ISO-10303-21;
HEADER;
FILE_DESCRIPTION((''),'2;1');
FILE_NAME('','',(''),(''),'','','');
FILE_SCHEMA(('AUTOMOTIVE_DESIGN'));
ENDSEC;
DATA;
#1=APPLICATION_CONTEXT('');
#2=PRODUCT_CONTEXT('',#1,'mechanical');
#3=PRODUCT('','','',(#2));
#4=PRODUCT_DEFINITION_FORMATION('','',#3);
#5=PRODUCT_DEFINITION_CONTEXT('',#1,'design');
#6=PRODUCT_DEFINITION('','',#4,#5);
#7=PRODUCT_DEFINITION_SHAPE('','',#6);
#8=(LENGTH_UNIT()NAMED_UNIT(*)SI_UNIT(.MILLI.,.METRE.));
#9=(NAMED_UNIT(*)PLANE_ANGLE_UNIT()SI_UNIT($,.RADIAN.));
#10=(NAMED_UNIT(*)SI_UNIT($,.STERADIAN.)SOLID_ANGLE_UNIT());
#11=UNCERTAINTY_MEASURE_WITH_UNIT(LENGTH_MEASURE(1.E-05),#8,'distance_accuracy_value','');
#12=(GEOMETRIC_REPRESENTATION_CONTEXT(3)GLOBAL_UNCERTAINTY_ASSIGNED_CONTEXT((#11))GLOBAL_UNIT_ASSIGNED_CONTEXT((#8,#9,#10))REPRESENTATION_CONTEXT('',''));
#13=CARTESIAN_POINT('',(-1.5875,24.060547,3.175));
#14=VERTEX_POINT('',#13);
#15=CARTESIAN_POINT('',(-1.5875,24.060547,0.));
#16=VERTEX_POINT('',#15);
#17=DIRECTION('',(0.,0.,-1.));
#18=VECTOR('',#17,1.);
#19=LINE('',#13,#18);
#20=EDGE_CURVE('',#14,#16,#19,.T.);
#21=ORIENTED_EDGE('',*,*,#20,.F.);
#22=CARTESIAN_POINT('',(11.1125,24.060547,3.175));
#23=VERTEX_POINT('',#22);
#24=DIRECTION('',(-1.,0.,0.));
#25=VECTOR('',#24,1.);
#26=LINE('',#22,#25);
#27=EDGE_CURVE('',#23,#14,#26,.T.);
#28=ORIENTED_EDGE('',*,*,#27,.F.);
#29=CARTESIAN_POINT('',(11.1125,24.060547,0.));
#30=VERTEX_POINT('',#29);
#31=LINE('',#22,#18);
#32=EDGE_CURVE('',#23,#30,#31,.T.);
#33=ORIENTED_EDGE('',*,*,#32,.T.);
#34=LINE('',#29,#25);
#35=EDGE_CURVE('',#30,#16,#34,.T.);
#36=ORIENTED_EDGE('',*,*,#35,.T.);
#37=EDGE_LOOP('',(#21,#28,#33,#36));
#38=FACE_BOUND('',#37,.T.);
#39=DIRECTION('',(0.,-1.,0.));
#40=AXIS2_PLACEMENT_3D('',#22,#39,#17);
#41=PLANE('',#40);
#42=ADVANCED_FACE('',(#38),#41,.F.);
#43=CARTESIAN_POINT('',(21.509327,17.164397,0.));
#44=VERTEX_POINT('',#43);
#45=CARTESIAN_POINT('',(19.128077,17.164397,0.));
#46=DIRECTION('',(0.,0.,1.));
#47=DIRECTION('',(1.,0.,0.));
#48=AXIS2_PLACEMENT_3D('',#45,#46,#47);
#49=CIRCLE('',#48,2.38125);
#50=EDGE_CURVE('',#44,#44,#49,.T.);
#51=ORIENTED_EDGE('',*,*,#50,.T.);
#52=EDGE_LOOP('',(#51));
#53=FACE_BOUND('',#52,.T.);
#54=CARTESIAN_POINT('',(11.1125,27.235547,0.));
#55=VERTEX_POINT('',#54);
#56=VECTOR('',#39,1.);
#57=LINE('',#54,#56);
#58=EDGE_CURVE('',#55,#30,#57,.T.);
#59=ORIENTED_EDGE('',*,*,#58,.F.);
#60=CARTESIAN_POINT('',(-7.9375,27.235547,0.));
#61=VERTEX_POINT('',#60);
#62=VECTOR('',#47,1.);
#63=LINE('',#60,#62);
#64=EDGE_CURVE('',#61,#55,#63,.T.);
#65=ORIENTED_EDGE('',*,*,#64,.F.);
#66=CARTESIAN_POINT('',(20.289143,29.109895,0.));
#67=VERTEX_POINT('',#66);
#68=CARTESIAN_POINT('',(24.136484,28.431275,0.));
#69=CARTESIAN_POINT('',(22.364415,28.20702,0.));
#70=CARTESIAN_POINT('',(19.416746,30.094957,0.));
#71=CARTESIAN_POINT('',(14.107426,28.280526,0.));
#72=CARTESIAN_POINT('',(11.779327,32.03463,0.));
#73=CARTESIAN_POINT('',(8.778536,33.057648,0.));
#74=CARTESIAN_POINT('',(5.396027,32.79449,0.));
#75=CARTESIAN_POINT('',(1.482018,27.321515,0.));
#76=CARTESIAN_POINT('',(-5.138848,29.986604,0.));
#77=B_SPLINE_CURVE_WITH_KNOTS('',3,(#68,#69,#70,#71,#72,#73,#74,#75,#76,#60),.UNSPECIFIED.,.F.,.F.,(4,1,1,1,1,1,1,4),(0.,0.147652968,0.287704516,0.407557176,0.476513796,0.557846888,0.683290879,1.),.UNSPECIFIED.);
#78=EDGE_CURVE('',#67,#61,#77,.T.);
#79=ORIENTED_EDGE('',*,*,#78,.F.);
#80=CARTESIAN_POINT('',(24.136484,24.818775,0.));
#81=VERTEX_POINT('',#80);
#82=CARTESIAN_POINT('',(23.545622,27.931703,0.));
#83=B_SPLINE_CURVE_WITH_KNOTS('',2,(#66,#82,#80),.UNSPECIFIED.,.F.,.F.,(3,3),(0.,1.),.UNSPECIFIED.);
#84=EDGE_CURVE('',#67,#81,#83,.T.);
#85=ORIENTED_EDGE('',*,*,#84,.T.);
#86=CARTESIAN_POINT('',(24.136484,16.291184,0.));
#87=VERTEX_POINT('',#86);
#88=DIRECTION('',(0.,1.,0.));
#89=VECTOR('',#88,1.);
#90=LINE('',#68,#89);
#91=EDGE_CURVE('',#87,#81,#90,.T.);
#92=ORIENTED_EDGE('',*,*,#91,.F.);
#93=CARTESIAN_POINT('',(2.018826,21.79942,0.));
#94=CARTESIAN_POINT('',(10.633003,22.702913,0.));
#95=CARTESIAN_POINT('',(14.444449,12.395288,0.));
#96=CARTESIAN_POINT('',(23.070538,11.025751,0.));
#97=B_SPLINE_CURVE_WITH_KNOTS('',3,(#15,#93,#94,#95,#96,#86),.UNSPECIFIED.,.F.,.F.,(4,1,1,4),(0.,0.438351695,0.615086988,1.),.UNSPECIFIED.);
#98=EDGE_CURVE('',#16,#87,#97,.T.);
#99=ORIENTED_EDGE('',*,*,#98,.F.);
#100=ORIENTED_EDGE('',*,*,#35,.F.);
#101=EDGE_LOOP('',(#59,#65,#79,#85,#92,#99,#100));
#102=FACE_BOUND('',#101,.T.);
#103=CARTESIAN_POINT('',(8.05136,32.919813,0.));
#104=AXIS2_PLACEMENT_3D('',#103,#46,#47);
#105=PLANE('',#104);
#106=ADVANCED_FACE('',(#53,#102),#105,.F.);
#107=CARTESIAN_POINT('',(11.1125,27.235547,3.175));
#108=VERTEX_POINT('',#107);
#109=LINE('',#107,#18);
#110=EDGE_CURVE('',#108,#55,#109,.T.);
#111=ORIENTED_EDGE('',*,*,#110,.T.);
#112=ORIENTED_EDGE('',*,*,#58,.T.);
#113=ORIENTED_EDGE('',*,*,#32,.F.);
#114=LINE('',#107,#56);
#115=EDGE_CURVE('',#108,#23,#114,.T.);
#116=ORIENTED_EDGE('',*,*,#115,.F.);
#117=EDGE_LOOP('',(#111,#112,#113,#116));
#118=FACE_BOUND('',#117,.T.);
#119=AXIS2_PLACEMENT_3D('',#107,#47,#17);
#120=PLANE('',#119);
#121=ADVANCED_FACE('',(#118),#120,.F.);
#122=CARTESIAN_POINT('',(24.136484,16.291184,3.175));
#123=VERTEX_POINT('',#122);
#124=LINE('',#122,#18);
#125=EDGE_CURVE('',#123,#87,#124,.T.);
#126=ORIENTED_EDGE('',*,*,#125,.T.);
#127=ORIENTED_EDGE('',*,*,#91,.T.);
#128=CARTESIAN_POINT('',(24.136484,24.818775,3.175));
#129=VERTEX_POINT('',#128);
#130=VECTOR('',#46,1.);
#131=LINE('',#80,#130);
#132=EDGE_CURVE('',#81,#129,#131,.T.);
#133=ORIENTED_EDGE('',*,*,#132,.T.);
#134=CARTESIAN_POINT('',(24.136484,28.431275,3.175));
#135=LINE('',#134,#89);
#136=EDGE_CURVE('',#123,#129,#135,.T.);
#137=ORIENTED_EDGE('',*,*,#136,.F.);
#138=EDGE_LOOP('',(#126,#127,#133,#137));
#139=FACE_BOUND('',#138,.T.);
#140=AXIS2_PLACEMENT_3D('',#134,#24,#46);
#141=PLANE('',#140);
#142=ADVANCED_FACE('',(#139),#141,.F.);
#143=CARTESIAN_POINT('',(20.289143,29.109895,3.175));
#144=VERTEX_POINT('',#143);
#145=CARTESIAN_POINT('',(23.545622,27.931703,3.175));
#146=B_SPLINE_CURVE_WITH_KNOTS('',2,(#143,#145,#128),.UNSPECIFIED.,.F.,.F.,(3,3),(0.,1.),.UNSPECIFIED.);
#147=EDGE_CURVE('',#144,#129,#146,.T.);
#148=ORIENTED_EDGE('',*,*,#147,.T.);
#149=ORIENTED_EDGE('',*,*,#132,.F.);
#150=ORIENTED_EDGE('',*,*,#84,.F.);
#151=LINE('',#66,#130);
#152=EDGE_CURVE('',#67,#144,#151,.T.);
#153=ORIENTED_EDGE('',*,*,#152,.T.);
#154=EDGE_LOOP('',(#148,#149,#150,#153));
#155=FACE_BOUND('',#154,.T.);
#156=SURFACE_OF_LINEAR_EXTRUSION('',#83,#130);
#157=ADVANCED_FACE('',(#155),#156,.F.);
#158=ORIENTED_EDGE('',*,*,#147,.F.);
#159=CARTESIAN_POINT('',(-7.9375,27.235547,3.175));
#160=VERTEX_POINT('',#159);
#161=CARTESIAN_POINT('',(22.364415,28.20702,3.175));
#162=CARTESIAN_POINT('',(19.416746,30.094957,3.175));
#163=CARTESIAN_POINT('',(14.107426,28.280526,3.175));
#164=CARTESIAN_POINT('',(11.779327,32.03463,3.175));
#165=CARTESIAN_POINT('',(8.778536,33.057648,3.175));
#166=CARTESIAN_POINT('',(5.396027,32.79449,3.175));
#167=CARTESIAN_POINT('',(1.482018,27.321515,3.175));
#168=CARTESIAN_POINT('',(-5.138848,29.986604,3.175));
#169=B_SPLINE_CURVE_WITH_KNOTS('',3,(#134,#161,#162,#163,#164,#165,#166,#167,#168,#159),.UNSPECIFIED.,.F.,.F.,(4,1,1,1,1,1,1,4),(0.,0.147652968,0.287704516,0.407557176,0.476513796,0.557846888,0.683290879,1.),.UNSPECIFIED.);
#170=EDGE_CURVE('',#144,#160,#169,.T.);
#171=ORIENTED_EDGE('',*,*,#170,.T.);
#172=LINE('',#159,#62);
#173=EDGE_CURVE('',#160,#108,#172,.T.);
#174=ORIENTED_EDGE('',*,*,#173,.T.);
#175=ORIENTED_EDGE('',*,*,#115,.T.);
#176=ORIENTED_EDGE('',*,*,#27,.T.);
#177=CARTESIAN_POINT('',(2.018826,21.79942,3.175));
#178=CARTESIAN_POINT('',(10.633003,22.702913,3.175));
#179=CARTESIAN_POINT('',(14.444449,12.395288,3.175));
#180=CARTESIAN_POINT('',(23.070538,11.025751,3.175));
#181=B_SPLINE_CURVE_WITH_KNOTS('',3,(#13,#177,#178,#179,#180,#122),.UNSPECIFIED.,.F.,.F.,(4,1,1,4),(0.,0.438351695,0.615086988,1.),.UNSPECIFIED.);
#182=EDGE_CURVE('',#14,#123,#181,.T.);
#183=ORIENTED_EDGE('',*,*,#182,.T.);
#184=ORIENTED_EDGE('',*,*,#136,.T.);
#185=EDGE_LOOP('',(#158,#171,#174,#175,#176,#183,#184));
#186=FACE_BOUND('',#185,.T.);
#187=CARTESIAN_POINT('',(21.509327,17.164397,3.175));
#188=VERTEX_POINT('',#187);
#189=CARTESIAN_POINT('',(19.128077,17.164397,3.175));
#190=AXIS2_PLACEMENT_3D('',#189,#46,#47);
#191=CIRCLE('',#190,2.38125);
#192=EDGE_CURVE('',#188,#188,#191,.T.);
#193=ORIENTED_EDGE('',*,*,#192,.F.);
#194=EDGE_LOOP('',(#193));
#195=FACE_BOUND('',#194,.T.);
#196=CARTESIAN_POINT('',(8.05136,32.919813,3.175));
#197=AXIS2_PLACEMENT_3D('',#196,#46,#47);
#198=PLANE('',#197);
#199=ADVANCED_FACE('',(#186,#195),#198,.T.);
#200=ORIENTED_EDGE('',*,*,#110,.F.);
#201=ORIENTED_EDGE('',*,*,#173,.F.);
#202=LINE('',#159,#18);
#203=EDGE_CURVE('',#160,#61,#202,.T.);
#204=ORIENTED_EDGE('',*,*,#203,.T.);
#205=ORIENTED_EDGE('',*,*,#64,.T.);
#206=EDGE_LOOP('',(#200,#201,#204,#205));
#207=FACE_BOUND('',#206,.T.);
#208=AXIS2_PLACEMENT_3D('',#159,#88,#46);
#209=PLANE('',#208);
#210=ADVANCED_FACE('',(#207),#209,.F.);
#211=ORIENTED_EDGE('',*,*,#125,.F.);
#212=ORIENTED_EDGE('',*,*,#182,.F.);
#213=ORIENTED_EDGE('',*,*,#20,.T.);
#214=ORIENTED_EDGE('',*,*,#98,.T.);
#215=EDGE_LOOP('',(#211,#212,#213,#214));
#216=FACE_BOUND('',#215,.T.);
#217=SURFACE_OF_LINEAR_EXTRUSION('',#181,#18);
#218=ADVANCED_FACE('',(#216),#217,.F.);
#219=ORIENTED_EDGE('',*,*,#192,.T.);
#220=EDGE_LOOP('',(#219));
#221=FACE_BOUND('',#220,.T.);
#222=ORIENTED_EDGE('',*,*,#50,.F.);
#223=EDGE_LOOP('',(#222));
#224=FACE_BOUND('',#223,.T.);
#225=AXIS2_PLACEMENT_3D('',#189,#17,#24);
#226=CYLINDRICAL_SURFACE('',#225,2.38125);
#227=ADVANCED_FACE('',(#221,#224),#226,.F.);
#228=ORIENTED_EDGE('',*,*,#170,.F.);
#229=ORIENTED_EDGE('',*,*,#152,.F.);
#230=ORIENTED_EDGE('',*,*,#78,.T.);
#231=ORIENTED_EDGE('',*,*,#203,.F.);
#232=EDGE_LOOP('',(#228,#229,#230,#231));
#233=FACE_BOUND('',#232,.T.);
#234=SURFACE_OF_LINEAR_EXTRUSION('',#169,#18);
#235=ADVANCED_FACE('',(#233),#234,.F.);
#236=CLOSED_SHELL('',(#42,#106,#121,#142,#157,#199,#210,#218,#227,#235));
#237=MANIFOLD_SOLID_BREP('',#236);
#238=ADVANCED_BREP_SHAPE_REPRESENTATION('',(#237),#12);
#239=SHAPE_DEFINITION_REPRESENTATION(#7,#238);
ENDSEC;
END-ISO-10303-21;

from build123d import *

# Parameters (mm, degrees)
SKETCH1_R           = 2.38125
BOSS_EXTRUDE1_DEPTH = 3.175
CUT_EXTRUDE1_DEPTH  = 41.943448555


with BuildPart() as part:
    # Sketch1 → Boss-Extrude1 (new body)
    with BuildSketch(Plane.XY):
        with BuildLine():
            Line((-7.9375, 27.235546875), (11.1125, 27.235546875))
            Line((11.1125, 27.235546875), (11.1125, 24.060546875))
            Line((11.1125, 24.060546875), (-1.5875, 24.060546875))
            add(Edge.make_bspline(
                [(-1.5875, 24.060546875), (2.018825623, 21.799419545), (10.633002779, 22.702913031), (14.444449363, 12.395288116), (23.070537685, 11.025750537), (24.136484021, 16.291183817)],
                knots=[0, 0, 0, 0, 0.438351695, 0.615086988, 1, 1, 1, 1], degree=3))
            Line((24.136484021, 16.291183817), (24.136484021, 28.431274529))
            add(Edge.make_bspline(
                [(-7.9375, 27.235546875), (-5.138848496, 29.986604457), (1.482017793, 27.321515058), (5.396027486, 32.794490027), (8.77853623, 33.057647792), (11.779327256, 32.034629922), (14.10742643, 28.280525974), (19.416746163, 30.094957124), (22.364415365, 28.20701954), (24.136484021, 28.431274529)],
                knots=[0, 0, 0, 0, 0.316709121, 0.442153112, 0.523486204, 0.592442824, 0.712295484, 0.852347032, 1, 1, 1, 1], degree=3))
        make_face()
        with Locations((19.128076736, 17.164397364)):
            Circle(SKETCH1_R, mode=Mode.SUBTRACT)
    extrude(amount=BOSS_EXTRUDE1_DEPTH)

    # Sketch2 → Cut-Extrude1 (cut, through all)
    with BuildSketch(Plane.XY.offset(3.175)):
        with BuildLine():
            Line((20.289143392, 29.109894753), (24.692953489, 31.442360813))
            Line((24.692953489, 31.442360813), (27.797759172, 27.509606949))
            Line((27.797759172, 27.509606949), (24.136484021, 24.818775358))
            add(Edge.make_bspline(
                [(24.136484021, 24.818775358), (23.545622288, 27.931703018), (20.289143392, 29.109894753)],
                knots=[0, 0, 0, 1, 1, 1], degree=2))
        make_face()
    extrude(amount=-CUT_EXTRUDE1_DEPTH, mode=Mode.SUBTRACT)


solid = part.part
